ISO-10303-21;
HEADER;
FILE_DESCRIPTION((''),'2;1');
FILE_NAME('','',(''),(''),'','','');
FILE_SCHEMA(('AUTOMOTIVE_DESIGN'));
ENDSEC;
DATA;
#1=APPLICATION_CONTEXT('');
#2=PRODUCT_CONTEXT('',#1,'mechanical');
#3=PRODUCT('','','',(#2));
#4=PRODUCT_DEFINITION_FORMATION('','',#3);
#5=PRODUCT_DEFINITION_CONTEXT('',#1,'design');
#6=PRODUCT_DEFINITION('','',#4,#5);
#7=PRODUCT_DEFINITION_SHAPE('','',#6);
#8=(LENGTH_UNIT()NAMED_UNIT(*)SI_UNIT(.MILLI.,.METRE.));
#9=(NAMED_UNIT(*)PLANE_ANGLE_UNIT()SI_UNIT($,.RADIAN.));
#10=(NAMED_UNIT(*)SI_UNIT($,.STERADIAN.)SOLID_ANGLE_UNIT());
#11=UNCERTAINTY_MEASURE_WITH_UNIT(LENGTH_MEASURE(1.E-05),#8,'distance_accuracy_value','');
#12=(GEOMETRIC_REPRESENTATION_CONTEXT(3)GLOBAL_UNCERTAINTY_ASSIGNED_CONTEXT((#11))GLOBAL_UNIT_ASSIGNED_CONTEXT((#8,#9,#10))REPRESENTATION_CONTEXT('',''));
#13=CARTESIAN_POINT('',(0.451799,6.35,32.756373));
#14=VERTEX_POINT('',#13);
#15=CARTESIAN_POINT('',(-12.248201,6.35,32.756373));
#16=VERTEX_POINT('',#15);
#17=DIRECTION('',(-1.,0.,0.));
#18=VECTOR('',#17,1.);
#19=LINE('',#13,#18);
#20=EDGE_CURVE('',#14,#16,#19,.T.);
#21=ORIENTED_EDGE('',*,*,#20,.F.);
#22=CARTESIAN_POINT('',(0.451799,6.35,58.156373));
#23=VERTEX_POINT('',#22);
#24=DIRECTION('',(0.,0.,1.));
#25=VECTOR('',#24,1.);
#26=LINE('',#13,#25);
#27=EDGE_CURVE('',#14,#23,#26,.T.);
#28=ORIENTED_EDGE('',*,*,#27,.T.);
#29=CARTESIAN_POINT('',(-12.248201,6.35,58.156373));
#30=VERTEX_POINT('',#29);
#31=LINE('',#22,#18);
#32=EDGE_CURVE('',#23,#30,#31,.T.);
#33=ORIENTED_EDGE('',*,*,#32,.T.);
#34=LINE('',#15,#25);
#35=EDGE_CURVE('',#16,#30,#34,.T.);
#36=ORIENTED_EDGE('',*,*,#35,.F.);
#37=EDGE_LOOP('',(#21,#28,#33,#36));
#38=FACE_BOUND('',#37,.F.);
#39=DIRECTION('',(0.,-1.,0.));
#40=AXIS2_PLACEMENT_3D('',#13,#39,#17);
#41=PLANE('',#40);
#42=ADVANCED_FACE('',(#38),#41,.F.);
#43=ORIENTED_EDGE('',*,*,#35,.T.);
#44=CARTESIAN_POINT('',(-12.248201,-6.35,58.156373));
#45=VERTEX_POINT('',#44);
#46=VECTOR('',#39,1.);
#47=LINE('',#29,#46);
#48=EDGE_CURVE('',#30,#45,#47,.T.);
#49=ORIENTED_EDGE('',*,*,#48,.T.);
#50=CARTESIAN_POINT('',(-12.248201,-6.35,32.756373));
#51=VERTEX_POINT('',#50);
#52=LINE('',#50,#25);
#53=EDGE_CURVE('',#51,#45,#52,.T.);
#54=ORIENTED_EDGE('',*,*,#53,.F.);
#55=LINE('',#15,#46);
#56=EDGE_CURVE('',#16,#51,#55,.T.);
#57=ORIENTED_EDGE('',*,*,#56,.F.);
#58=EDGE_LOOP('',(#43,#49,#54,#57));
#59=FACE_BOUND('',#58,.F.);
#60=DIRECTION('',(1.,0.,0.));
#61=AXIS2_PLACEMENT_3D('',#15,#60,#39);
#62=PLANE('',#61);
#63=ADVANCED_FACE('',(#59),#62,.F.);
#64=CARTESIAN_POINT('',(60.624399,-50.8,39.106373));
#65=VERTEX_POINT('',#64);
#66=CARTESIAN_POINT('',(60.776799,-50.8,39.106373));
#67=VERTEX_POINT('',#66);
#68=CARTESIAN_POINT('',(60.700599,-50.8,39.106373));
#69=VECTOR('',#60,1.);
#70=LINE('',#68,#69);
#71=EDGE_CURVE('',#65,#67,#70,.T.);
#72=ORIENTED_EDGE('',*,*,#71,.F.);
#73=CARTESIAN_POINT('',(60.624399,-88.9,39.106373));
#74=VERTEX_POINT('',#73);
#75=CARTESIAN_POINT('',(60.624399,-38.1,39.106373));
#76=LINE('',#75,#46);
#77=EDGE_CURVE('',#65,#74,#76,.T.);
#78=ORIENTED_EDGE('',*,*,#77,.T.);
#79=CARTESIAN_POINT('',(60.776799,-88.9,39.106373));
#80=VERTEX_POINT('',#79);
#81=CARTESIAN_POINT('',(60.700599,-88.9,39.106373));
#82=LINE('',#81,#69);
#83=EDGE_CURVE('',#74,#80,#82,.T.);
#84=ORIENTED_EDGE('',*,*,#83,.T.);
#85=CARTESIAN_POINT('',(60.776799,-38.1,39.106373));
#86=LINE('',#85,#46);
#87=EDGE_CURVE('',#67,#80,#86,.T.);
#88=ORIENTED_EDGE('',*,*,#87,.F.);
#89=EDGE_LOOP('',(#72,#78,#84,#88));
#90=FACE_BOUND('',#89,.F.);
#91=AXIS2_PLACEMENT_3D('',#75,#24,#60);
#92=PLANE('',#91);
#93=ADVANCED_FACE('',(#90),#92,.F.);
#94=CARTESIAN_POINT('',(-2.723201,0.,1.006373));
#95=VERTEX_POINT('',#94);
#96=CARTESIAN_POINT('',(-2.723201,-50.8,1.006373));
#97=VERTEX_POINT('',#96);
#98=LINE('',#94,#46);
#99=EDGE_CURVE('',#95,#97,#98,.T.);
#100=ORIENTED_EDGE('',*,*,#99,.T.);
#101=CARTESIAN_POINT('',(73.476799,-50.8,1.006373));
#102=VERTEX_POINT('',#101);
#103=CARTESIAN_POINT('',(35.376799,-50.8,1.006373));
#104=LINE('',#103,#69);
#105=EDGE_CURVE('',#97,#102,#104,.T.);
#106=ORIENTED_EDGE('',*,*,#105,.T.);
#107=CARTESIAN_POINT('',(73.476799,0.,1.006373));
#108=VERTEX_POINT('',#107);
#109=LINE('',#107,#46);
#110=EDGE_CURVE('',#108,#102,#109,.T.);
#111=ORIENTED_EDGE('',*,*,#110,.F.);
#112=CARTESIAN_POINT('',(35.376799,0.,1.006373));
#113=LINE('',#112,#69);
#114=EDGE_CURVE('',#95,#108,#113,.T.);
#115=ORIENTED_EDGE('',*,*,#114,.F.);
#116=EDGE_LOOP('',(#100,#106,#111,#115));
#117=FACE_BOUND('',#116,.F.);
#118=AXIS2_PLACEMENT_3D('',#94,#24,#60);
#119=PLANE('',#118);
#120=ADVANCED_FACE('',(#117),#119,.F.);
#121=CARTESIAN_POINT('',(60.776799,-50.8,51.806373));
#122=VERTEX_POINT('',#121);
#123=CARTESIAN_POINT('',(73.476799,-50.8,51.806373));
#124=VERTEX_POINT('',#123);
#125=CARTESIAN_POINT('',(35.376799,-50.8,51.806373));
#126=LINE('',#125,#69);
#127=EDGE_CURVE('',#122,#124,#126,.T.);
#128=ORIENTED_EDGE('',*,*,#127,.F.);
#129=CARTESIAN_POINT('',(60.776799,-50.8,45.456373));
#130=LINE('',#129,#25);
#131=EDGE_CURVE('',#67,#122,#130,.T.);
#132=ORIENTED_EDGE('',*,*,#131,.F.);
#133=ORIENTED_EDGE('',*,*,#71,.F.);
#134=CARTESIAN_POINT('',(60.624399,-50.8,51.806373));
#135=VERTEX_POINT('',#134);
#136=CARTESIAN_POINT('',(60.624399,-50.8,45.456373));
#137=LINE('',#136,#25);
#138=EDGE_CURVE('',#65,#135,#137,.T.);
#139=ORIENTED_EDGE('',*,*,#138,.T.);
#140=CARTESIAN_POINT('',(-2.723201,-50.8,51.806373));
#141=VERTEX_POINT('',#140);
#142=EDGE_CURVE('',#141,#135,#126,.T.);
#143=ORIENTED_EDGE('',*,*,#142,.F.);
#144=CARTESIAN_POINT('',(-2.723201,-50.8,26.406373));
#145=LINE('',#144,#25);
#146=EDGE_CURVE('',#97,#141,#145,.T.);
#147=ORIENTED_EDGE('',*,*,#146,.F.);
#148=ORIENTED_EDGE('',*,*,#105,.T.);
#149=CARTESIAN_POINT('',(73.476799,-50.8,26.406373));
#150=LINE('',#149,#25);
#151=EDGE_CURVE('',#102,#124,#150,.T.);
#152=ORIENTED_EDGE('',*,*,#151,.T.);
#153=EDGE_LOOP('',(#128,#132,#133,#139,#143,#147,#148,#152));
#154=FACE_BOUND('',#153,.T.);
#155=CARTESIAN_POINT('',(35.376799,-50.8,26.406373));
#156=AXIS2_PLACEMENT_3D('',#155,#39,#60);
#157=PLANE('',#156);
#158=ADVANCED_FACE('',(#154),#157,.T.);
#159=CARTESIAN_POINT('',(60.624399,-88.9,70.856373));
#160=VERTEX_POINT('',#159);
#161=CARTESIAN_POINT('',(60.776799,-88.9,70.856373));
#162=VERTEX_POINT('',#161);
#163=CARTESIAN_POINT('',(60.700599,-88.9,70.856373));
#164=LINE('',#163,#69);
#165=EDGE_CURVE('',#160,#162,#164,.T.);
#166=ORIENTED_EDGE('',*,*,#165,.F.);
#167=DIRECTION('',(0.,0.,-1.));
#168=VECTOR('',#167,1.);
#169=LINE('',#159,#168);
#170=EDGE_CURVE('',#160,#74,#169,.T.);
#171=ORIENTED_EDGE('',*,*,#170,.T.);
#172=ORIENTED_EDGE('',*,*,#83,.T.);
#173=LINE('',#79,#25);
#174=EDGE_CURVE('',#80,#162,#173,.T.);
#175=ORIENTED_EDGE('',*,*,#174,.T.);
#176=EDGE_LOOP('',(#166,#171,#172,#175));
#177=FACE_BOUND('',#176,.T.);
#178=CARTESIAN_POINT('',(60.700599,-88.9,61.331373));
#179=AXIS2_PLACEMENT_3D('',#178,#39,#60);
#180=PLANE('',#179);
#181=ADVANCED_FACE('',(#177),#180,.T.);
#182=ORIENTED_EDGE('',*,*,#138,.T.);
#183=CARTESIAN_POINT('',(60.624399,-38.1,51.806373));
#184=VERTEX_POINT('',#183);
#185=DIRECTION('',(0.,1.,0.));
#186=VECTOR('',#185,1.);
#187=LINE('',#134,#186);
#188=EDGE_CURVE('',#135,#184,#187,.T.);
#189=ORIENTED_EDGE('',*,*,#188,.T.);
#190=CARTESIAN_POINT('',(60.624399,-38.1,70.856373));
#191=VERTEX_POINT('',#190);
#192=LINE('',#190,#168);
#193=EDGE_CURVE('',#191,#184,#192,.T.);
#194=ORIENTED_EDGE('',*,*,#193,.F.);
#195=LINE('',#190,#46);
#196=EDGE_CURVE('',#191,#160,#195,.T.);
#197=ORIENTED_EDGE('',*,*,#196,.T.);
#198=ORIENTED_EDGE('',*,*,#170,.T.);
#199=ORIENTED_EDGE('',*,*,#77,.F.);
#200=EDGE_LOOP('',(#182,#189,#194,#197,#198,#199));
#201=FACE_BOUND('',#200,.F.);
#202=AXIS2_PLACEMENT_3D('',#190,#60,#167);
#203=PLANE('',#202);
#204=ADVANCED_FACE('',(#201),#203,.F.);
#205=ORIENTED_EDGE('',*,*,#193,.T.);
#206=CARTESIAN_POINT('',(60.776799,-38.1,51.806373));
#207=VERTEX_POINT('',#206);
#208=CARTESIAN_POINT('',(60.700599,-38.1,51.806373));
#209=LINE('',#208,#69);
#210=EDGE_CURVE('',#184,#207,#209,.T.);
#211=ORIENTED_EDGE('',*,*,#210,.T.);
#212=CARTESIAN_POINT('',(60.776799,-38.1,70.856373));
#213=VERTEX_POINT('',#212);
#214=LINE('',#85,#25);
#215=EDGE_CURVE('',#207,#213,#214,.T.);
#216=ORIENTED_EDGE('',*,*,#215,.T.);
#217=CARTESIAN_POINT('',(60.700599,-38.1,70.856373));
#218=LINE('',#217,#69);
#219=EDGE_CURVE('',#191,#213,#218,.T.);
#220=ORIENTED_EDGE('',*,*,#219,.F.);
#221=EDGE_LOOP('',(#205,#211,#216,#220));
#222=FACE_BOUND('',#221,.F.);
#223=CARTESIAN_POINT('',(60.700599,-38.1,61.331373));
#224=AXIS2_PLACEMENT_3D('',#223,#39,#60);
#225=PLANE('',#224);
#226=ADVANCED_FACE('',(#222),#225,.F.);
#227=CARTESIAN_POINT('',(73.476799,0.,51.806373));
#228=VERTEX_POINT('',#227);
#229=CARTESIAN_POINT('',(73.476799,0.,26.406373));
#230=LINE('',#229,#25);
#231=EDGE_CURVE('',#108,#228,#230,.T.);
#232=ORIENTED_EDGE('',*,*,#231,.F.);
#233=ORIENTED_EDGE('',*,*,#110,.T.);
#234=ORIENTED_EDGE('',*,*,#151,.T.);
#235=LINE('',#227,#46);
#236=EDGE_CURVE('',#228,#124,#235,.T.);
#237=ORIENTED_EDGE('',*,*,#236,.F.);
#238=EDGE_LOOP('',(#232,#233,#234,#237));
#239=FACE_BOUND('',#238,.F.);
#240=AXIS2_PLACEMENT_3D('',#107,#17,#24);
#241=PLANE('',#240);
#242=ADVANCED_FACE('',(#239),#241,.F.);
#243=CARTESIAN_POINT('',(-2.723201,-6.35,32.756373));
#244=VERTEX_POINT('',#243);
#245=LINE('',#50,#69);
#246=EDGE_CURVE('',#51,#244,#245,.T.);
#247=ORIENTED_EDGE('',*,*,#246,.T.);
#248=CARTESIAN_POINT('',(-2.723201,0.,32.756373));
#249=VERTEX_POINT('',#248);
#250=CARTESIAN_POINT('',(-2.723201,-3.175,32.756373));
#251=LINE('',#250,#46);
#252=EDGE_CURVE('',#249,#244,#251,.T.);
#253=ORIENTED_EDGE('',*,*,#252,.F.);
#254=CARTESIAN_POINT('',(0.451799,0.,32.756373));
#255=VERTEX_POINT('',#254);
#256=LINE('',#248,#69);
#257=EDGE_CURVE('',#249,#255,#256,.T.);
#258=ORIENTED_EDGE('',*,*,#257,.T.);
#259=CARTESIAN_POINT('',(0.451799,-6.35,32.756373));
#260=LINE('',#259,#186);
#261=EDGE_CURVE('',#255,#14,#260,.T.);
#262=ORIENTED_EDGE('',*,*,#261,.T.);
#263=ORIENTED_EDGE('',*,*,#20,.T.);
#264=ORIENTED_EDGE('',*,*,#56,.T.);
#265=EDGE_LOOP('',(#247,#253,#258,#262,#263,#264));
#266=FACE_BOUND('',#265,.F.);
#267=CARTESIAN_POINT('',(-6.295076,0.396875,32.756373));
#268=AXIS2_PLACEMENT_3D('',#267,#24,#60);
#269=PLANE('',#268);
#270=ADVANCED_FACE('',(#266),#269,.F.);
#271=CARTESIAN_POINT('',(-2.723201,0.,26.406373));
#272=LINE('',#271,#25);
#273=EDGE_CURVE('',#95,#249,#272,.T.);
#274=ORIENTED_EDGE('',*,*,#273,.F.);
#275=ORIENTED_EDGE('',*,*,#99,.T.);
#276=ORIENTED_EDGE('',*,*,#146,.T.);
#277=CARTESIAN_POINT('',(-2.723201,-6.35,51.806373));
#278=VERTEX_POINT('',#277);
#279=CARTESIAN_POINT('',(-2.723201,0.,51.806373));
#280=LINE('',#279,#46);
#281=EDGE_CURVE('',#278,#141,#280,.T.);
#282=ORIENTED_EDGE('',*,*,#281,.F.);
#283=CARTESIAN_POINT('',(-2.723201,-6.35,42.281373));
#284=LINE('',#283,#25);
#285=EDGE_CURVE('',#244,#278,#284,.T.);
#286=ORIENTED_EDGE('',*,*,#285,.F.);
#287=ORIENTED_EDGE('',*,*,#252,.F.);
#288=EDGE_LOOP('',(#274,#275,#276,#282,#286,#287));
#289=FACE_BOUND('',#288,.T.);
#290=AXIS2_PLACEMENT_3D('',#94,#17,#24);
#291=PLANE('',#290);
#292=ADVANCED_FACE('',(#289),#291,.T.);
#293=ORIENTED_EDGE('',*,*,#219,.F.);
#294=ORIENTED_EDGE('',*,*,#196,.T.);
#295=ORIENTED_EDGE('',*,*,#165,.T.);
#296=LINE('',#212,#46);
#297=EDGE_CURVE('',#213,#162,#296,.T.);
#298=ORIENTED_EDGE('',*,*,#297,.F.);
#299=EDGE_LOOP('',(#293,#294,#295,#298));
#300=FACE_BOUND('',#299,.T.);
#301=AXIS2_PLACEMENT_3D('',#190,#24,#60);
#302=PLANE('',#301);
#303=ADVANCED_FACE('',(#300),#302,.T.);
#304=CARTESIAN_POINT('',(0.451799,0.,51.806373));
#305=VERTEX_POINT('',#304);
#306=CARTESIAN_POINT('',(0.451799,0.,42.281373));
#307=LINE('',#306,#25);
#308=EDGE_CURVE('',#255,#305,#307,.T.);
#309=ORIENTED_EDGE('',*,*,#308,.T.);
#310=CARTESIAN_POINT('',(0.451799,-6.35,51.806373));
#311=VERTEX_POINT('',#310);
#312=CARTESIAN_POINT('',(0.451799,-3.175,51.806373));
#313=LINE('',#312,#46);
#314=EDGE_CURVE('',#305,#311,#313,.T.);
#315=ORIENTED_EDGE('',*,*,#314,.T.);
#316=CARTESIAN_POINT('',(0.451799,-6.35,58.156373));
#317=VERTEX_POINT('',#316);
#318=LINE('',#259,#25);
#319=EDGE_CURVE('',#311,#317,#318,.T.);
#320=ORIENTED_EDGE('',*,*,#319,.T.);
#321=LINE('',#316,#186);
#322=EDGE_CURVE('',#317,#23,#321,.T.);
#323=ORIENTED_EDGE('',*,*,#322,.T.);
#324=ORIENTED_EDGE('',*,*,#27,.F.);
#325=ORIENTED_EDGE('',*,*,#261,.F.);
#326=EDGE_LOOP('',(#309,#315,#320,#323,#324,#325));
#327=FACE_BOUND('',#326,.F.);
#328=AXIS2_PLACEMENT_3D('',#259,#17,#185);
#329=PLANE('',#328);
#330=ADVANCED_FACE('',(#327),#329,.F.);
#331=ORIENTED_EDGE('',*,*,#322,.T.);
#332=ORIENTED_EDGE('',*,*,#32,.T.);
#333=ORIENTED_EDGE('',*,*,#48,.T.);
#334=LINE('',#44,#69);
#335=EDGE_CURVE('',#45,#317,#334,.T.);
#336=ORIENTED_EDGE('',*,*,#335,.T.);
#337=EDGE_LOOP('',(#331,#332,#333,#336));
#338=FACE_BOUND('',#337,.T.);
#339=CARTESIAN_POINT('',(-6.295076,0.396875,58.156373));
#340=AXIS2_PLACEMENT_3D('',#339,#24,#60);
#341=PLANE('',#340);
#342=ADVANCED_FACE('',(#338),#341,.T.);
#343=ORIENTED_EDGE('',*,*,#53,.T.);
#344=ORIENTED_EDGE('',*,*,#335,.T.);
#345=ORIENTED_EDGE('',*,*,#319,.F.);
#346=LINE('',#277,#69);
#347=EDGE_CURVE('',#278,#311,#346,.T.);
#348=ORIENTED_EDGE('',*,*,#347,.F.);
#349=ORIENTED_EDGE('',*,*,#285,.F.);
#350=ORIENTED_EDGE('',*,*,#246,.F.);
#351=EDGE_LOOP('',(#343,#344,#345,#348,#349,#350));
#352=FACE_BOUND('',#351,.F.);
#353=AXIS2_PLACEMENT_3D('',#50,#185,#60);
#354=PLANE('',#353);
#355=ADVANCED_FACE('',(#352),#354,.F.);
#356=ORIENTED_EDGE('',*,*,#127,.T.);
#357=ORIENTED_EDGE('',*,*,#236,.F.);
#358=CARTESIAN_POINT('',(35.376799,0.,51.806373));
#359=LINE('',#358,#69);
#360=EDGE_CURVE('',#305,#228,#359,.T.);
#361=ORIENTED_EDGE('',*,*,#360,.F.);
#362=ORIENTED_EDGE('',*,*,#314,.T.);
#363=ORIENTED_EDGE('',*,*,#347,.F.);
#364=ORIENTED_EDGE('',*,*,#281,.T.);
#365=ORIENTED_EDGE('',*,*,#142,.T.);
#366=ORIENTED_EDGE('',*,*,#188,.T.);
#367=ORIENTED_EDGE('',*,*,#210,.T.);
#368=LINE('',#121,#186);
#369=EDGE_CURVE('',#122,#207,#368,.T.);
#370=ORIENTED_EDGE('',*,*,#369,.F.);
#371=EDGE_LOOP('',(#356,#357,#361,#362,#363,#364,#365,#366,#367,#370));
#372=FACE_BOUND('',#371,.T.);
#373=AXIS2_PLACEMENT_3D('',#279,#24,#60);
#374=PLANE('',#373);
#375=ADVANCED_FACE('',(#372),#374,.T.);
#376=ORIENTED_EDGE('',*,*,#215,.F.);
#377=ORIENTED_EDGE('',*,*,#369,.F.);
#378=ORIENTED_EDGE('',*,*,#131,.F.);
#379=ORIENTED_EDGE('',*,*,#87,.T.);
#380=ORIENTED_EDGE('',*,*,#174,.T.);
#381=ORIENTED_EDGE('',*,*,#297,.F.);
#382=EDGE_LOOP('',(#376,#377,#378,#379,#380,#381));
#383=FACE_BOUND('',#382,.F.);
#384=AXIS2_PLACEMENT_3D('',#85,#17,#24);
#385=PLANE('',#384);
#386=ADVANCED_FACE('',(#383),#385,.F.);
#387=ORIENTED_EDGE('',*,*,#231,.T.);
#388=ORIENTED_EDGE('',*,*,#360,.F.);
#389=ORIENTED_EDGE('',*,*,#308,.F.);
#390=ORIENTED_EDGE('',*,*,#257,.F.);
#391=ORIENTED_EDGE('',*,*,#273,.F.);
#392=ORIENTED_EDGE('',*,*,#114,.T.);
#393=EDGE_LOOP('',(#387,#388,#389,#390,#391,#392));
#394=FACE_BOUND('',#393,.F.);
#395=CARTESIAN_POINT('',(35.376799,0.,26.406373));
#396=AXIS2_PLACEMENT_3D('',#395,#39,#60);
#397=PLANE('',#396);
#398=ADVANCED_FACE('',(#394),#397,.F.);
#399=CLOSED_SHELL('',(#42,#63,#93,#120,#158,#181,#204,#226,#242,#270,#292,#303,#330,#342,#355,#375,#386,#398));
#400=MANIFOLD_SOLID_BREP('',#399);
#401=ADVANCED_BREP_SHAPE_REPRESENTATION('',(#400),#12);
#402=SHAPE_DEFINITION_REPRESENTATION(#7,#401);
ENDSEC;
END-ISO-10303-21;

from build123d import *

# Parameters (mm, degrees)
F0_W     = 76.2
F0_H     = 50.8
F1_DEPTH = 50.8
F2_W     = 0.1524
F2_H     = 12.7
F3_DEPTH = 12.7
F4_W     = 0.1524
F4_H     = 19.05
F4_H_2   = 12.7
F5_DEPTH = 50.8
F6_W     = 6.35
F6_H     = 19.05
F7_DEPTH = 3.175
F8_W     = 3.175
F8_H     = 6.35
F9_DEPTH = 25.4


with BuildPart() as f1:
    # F0 (on Front) → F1 (new body)
    with BuildSketch(Plane.XZ):
        with Locations((35.376799, 26.406373)):
            Rectangle(F0_W, F0_H)
    extrude(amount=F1_DEPTH)

    # F2 (on face) → F3 (cut)
    with BuildSketch(Plane.XZ.offset(50.8)):
        with Locations((60.700599, 45.456373)):
            Rectangle(F2_W, F2_H)
    extrude(amount=-F3_DEPTH, mode=Mode.SUBTRACT)

    # F4 (on face) → F5 (join)
    with BuildSketch(Plane.XZ.offset(38.1)):
        with Locations((60.700599, 61.331373)):
            Rectangle(F4_W, F4_H)
        with Locations((60.700599, 45.456373)):
            Rectangle(F4_W, F4_H_2)
    extrude(amount=F5_DEPTH)

    # F6 (on face) → F7 (cut)
    with BuildSketch(Plane(origin=(-2.723201, 0, 0), x_dir=(0, -1, 0), z_dir=(-1, 0, 0))):
        with Locations((3.175, 42.281373)):
            Rectangle(F6_W, F6_H)
    extrude(amount=-F7_DEPTH, mode=Mode.SUBTRACT)

    # F8 (on face) → F9 (join)
    with BuildSketch(Plane.XY.offset(32.756373)):
        Polygon((-12.248201, -6.35), (-2.723201, -6.35), (-2.723201, 0), (0.451799, 0), (0.451799, 6.35), (-12.248201, 6.35), align=None)
        with Locations((-1.135701, -3.175)):
            Rectangle(F8_W, F8_H)
    extrude(amount=F9_DEPTH)


solid = f1.part
